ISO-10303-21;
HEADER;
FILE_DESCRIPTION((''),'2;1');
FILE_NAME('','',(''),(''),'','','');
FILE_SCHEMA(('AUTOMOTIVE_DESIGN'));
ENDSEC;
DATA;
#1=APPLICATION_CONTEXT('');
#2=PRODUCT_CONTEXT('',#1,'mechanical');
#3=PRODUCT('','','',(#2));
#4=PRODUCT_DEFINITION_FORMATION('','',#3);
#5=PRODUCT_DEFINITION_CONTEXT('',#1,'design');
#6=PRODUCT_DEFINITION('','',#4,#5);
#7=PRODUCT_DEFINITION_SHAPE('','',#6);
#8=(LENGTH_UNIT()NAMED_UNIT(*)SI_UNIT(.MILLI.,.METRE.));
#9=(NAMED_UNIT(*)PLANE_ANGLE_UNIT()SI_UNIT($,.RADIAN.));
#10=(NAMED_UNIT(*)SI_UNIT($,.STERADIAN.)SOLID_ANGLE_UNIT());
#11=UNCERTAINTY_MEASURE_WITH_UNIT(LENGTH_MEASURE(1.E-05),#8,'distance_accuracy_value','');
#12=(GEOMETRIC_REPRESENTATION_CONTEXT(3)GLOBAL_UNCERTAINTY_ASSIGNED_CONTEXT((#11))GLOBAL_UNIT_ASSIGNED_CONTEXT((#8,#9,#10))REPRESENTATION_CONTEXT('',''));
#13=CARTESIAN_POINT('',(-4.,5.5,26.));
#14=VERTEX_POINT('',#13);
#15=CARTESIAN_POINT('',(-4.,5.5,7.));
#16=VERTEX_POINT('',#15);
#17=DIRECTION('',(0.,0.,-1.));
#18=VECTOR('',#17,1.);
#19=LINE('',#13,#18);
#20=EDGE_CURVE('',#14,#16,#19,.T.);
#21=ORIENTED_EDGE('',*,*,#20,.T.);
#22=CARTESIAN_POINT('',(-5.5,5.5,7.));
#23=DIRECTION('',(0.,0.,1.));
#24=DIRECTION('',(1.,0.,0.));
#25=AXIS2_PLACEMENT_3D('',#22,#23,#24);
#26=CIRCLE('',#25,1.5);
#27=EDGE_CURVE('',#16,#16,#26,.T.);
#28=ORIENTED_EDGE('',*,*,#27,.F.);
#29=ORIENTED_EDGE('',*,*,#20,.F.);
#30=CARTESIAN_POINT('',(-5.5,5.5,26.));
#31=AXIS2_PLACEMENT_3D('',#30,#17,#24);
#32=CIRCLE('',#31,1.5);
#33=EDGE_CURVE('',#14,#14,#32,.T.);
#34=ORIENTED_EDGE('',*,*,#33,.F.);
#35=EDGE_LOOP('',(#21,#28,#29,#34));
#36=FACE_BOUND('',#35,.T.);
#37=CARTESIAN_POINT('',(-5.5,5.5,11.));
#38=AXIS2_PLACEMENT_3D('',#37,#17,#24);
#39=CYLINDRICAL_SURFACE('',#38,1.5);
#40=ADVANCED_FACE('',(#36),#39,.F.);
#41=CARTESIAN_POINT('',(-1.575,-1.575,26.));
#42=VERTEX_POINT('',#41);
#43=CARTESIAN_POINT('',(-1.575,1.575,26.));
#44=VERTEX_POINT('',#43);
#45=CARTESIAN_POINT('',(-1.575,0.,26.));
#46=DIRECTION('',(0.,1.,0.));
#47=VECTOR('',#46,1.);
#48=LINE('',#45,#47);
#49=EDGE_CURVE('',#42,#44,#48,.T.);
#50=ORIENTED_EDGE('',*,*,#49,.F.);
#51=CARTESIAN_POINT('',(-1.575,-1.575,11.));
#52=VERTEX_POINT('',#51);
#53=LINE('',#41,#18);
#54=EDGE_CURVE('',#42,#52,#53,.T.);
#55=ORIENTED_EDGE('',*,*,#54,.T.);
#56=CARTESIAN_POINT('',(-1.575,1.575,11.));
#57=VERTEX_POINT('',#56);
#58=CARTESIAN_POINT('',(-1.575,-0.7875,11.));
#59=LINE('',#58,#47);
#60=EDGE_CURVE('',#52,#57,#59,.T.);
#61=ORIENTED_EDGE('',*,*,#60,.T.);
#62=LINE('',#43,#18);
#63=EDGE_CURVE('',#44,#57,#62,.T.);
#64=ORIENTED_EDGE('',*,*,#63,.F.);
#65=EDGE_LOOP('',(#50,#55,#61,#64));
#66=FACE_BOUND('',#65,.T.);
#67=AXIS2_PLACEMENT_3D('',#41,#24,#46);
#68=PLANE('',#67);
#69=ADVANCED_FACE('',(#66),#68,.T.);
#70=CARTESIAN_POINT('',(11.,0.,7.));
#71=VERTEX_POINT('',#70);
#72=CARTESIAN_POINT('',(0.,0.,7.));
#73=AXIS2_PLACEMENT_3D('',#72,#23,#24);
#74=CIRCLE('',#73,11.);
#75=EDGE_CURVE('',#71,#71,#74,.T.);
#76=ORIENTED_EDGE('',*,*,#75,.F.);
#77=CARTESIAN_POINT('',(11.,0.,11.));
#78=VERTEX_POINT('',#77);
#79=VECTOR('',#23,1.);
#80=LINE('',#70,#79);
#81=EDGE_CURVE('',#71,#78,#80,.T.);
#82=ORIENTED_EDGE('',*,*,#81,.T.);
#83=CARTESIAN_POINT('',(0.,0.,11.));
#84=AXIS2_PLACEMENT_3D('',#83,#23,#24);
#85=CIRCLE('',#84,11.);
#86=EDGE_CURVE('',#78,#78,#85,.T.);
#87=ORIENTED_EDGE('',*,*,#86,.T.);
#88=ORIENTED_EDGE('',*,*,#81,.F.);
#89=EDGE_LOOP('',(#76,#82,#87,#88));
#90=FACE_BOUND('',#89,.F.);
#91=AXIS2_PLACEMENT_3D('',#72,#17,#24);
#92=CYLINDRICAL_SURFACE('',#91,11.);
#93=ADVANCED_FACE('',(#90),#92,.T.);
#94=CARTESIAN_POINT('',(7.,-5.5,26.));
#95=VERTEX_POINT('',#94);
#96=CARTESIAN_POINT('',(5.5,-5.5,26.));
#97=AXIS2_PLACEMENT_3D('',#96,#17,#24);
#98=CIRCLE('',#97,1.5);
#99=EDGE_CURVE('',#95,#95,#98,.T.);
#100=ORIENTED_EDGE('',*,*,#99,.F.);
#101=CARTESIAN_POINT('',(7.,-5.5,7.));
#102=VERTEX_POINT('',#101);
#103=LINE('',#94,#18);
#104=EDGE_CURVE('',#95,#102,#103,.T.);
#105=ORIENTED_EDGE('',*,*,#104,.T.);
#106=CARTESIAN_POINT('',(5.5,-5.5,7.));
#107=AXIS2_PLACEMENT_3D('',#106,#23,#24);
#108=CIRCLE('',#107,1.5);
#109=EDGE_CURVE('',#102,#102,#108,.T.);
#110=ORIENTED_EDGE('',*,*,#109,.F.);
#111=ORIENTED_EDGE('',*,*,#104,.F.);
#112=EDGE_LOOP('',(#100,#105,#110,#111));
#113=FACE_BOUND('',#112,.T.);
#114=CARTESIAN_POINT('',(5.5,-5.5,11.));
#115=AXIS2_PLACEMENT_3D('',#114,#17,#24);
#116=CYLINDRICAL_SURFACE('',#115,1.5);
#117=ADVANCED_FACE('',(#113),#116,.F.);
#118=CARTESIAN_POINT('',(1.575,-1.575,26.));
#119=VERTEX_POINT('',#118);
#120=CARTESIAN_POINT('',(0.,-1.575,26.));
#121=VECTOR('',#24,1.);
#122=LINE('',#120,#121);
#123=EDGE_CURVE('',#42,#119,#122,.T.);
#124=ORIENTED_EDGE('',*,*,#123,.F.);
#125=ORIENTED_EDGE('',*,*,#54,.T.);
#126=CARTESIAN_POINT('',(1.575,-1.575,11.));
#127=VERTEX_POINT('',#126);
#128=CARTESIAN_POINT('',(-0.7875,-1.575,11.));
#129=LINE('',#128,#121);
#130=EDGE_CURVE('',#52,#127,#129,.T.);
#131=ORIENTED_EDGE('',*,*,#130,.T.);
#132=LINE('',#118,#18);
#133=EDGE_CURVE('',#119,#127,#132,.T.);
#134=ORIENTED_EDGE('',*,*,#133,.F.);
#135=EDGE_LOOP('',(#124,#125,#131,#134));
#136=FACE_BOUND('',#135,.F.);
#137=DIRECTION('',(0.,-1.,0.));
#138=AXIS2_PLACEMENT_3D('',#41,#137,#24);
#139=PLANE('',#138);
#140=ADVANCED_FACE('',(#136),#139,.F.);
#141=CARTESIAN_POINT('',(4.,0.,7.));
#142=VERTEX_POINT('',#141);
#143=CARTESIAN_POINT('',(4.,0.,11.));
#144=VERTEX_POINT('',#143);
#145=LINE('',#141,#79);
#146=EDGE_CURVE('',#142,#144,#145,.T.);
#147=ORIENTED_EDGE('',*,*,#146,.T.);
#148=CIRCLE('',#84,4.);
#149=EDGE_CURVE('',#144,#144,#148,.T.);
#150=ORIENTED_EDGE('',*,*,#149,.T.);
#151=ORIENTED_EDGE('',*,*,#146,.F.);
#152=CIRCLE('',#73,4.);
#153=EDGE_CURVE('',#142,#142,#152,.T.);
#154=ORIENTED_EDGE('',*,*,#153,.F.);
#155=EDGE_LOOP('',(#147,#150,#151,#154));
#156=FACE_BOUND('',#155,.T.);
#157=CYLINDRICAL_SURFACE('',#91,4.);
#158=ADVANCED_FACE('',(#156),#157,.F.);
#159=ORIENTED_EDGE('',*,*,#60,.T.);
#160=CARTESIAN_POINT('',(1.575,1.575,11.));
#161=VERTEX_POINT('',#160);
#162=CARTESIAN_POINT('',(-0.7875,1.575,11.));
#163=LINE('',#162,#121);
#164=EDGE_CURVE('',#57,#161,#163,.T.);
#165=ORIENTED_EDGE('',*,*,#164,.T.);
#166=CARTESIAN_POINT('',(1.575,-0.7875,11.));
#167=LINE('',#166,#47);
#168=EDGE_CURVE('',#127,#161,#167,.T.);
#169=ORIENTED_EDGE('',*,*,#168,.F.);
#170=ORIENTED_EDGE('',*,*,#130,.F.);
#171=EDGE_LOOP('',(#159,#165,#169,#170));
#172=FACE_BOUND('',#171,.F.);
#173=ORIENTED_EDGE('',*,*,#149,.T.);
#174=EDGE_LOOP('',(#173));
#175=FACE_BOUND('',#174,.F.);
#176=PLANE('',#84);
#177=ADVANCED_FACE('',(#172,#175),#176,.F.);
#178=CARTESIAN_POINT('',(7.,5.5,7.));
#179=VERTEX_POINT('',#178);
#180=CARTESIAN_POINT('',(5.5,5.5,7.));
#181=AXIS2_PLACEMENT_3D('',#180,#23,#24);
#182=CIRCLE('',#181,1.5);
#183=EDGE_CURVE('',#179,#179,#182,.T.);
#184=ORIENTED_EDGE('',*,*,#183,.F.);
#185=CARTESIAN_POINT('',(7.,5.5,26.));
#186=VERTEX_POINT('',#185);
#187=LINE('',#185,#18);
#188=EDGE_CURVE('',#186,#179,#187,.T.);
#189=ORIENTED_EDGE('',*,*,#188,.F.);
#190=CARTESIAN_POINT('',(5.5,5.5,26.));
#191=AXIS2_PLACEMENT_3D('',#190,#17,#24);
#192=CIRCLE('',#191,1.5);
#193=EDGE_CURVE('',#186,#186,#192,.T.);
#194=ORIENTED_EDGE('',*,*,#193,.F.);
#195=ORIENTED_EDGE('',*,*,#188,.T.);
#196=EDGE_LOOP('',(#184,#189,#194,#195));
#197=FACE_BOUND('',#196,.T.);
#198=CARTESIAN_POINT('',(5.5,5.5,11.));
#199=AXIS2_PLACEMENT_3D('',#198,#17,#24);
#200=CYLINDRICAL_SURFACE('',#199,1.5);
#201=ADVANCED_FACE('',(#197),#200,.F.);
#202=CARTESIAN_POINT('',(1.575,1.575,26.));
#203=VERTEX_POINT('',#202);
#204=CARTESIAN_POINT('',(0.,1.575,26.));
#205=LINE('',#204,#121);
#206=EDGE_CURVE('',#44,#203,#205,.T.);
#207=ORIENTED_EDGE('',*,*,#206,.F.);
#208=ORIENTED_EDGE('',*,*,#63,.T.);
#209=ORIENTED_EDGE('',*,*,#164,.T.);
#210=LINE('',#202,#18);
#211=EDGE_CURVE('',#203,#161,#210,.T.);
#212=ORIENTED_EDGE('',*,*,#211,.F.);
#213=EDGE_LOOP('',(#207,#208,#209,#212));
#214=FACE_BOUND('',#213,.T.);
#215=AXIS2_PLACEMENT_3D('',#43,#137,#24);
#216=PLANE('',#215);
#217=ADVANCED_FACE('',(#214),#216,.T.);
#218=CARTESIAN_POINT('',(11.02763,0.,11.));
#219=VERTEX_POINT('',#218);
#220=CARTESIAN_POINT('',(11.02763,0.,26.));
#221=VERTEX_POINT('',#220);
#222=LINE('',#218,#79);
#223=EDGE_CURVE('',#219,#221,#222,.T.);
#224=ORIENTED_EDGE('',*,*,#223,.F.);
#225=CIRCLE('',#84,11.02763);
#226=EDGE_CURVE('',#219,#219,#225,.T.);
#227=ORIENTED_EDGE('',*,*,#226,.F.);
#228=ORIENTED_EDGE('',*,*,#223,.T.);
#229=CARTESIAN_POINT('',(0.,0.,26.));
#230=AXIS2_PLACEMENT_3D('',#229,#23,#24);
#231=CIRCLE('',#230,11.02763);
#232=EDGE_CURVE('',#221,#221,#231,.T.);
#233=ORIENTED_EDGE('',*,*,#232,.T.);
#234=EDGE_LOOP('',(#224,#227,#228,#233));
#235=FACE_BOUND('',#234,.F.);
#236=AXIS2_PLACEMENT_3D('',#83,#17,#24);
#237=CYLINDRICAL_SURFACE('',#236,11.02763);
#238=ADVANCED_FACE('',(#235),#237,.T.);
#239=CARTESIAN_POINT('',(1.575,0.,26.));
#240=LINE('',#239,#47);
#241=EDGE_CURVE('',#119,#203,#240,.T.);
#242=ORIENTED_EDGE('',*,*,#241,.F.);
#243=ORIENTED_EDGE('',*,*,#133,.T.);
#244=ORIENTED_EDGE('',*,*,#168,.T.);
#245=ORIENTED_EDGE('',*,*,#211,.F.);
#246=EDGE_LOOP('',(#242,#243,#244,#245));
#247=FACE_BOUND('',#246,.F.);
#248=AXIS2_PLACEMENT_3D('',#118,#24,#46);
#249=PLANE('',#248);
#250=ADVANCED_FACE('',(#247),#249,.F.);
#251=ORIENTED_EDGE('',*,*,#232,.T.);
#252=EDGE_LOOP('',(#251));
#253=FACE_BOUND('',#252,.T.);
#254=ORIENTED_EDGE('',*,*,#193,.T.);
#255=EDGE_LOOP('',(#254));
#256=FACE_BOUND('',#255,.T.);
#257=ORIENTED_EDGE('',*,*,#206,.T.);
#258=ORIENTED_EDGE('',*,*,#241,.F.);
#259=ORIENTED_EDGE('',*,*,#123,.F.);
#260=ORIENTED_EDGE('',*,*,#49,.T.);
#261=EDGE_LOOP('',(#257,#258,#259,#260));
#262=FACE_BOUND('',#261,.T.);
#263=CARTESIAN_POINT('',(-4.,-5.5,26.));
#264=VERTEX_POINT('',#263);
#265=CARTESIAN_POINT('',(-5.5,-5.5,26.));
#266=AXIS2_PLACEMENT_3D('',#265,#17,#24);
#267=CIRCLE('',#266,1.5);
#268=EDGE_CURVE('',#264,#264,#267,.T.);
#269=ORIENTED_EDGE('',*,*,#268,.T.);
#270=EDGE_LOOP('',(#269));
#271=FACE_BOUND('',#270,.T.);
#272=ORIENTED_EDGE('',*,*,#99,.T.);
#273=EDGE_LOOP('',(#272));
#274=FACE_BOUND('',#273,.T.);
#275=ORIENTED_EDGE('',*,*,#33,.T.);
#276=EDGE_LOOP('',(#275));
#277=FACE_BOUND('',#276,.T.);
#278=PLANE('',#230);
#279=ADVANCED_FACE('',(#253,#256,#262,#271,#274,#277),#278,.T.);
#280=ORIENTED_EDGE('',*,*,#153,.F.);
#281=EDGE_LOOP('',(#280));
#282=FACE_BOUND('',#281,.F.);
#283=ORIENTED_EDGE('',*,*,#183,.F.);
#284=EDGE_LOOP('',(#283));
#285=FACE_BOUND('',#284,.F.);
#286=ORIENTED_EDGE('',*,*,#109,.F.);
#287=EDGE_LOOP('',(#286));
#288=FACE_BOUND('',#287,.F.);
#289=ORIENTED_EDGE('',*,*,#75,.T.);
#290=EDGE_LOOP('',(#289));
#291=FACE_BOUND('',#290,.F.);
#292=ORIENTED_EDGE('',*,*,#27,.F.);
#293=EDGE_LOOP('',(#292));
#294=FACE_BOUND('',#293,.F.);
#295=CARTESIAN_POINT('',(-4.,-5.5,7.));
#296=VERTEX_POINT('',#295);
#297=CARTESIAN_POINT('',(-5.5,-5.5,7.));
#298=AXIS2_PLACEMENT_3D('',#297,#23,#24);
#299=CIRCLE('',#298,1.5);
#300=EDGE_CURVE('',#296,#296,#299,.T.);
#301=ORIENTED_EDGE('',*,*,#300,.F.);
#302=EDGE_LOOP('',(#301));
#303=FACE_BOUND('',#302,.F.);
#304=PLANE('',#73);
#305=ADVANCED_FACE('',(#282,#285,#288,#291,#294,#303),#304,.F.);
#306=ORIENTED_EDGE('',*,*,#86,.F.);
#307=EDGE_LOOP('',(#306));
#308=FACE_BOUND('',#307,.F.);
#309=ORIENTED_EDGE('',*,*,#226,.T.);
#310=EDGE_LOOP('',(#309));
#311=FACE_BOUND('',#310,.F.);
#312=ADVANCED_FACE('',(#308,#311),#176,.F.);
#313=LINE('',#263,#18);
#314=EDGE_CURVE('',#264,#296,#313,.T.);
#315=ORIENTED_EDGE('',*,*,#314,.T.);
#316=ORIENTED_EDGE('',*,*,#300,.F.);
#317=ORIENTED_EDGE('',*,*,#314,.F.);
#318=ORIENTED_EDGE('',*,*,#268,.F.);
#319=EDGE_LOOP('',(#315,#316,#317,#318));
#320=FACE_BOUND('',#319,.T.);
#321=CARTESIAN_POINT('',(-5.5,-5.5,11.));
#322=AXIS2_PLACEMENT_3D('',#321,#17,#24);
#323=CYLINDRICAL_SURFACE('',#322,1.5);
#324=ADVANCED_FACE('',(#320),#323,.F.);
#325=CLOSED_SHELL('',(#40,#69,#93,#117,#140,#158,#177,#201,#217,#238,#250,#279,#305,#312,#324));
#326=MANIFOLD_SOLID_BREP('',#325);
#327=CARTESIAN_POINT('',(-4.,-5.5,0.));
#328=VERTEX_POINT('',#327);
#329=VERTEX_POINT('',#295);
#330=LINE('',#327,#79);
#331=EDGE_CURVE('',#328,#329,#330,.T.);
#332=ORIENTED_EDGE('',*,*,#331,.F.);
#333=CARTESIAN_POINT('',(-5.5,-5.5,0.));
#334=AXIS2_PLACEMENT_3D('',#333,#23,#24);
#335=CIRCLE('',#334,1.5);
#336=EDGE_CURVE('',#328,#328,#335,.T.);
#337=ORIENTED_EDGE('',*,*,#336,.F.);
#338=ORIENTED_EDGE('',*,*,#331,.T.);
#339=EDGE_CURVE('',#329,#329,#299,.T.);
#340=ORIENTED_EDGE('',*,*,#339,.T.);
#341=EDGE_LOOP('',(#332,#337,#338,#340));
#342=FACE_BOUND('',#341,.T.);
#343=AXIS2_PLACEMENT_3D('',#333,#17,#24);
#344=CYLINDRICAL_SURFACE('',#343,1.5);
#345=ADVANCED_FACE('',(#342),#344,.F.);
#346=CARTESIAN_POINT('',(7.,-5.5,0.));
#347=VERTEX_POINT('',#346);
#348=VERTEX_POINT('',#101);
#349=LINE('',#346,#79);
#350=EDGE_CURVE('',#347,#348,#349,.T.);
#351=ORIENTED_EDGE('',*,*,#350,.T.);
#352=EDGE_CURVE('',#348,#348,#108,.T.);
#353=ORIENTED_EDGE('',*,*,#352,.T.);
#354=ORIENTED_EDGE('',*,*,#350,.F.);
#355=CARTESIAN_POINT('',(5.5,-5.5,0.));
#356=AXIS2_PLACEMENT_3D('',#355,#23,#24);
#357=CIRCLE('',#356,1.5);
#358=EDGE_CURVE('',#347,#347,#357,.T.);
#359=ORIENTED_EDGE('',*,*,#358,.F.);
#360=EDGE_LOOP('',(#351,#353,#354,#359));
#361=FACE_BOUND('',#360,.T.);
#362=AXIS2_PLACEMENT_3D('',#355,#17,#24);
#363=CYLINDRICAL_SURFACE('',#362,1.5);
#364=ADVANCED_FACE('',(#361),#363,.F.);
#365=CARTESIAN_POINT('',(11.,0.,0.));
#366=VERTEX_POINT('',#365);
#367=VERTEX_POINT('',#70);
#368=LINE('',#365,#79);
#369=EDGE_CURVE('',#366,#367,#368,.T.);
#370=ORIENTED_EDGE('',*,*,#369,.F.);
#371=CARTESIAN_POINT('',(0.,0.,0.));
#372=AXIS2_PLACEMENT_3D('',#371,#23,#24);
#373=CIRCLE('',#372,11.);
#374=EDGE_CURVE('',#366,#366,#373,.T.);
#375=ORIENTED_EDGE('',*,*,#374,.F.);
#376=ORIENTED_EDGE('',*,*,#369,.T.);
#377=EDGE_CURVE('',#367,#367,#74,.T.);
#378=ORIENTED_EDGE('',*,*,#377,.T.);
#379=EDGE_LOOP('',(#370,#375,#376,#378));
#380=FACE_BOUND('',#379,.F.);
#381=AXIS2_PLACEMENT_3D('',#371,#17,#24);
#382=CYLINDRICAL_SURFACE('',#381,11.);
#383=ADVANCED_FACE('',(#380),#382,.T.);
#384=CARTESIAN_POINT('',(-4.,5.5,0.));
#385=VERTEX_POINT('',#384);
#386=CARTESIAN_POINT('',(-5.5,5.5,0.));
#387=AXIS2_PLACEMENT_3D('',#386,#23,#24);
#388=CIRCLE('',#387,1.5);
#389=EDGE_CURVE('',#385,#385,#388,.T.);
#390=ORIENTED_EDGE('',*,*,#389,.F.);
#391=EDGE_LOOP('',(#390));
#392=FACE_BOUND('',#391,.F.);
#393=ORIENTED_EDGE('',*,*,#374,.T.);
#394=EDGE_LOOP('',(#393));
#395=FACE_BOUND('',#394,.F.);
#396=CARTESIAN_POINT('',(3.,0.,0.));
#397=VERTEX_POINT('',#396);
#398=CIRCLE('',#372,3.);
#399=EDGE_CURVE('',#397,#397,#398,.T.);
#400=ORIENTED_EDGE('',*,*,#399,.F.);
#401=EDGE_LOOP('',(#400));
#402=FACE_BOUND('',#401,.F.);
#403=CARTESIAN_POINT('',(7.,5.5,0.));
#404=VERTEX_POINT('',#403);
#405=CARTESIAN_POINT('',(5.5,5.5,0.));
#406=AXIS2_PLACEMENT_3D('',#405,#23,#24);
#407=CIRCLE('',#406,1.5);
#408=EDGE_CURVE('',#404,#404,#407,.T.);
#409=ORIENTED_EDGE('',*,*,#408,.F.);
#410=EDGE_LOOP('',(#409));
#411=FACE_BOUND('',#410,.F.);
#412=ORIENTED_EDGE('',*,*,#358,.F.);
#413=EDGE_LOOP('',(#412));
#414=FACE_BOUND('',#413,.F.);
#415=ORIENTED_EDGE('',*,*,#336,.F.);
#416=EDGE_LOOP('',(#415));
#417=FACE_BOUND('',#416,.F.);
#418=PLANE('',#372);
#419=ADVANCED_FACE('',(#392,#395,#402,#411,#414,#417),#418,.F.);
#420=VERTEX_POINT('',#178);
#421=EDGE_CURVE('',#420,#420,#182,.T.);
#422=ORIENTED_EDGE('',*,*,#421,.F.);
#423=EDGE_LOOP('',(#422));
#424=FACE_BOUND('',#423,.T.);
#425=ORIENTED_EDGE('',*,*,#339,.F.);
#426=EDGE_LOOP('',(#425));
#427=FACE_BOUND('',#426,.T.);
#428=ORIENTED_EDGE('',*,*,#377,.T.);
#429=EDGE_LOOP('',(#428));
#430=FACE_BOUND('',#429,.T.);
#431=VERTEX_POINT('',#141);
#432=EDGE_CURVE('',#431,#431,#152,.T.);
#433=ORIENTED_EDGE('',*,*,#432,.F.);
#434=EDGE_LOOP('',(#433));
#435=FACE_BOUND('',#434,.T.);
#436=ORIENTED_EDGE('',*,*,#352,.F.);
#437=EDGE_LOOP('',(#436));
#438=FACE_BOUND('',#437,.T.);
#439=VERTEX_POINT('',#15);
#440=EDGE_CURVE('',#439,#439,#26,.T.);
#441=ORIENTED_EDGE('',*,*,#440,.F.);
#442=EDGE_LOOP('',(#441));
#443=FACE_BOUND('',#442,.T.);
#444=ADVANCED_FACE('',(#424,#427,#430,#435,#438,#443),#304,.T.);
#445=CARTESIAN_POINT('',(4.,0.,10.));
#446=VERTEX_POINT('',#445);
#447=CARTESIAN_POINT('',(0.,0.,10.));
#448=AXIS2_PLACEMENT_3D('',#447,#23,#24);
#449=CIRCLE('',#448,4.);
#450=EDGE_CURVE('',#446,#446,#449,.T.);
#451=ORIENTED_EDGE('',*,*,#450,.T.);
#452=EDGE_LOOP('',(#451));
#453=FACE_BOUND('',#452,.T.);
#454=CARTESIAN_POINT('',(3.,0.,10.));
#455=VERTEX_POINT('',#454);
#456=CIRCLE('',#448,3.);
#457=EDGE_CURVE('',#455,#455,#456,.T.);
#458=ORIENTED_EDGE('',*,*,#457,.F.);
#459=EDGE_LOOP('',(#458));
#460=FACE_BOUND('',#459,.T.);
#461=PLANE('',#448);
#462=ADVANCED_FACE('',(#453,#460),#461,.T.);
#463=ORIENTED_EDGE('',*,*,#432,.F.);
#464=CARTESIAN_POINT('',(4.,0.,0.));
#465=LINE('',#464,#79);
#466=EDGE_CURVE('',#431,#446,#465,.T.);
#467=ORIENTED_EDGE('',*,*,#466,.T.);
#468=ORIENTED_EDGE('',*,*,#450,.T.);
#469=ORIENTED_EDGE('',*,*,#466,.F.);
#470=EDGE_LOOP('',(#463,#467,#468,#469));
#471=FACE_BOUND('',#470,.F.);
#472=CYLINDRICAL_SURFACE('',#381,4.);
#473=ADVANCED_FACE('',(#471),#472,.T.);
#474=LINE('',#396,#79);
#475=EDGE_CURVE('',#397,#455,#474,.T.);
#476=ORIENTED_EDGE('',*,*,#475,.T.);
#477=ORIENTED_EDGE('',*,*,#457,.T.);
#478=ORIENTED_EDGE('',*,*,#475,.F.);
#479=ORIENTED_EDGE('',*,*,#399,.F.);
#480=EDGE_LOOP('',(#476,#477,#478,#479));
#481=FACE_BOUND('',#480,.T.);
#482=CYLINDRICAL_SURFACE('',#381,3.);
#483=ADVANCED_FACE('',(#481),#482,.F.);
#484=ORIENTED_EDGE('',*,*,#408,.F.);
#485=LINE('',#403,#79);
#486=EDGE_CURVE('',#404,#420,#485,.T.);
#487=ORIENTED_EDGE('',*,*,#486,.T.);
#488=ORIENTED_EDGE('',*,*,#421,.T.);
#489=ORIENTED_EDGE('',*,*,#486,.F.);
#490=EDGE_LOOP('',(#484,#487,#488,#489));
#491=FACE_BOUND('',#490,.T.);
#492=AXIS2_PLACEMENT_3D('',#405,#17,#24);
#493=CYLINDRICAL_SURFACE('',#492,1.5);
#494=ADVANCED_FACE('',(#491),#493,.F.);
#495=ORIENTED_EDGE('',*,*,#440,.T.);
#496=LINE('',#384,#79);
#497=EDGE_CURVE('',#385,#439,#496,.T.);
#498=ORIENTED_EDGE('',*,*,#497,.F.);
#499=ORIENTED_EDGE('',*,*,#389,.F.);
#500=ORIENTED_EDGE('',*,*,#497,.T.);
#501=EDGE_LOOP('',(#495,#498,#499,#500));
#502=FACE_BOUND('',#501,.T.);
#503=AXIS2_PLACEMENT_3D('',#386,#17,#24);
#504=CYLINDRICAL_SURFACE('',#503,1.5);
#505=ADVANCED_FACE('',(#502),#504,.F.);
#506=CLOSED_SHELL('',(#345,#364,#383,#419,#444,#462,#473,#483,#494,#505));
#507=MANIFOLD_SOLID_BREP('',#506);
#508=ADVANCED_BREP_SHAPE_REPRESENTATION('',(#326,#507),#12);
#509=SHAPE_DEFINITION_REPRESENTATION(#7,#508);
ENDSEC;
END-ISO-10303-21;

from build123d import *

# Parameters (mm, degrees)
F0_R     = 11
F0_R_2   = 1.5
F0_R_3   = 4
F1_DEPTH = 7
F0_R_4   = 3
F2_DEPTH = 10
F3_R     = 11
F3_R_2   = 1.5
F3_R_3   = 4
F4_DEPTH = 4
F5_R     = 11.02763
F6_DEPTH = 15
F7_W     = 3.15
F7_H     = 3.15
F8_DEPTH = 16.3
F5_R_2   = 1.5
F9_DEPTH = 46.4


with BuildPart() as f1:
    # F0 (on Top) → F1 (new body)
    with BuildSketch(Plane.XY):
        Circle(F0_R)
        with Locations((-5.5, -5.5)):
            Circle(F0_R_2, mode=Mode.SUBTRACT)
        with Locations((5.5, -5.5)):
            Circle(F0_R_2, mode=Mode.SUBTRACT)
        with Locations((-5.5, 5.5)):
            Circle(F0_R_2, mode=Mode.SUBTRACT)
        Circle(F0_R_3, mode=Mode.SUBTRACT)
        with Locations((5.5, 5.5)):
            Circle(F0_R_2, mode=Mode.SUBTRACT)
    extrude(amount=F1_DEPTH)

    # F0 (on Top) → F2 (join)
    with BuildSketch(Plane.XY):
        Circle(F0_R_3)
        Circle(F0_R_4, mode=Mode.SUBTRACT)
    extrude(amount=F2_DEPTH)


with BuildPart() as f4:
    # F3 (on face) → F4 (new body)
    with BuildSketch(Plane.XY.offset(7)):
        Circle(F3_R)
        with Locations((-5.5, -5.5)):
            Circle(F3_R_2, mode=Mode.SUBTRACT)
        with Locations((5.5, -5.5)):
            Circle(F3_R_2, mode=Mode.SUBTRACT)
        with Locations((-5.5, 5.5)):
            Circle(F3_R_2, mode=Mode.SUBTRACT)
        Circle(F3_R_3, mode=Mode.SUBTRACT)
        with Locations((5.5, 5.5)):
            Circle(F3_R_2, mode=Mode.SUBTRACT)
    extrude(amount=F4_DEPTH)

    # F5 (on face) → F6 (join)
    with BuildSketch(Plane.XY.offset(11)):
        Circle(F5_R)
    extrude(amount=F6_DEPTH)

    # F7 (on face) → F8 (cut)
    with BuildSketch(Plane.XY.offset(26)):
        Rectangle(F7_W, F7_H)
    extrude(amount=-F8_DEPTH, mode=Mode.SUBTRACT)

    # F5 (on face) → F9 (cut)
    with BuildSketch(Plane.XY.offset(11)):
        with Locations((-5.5, 5.5)):
            Circle(F5_R_2)
        with Locations((5.5, 5.5)):
            Circle(F5_R_2)
        with Locations((5.5, -5.5)):
            Circle(F5_R_2)
        with Locations((-5.5, -5.5)):
            Circle(F5_R_2)
    extrude(amount=F9_DEPTH, mode=Mode.SUBTRACT)


solid = Compound([f1.part, f4.part])
